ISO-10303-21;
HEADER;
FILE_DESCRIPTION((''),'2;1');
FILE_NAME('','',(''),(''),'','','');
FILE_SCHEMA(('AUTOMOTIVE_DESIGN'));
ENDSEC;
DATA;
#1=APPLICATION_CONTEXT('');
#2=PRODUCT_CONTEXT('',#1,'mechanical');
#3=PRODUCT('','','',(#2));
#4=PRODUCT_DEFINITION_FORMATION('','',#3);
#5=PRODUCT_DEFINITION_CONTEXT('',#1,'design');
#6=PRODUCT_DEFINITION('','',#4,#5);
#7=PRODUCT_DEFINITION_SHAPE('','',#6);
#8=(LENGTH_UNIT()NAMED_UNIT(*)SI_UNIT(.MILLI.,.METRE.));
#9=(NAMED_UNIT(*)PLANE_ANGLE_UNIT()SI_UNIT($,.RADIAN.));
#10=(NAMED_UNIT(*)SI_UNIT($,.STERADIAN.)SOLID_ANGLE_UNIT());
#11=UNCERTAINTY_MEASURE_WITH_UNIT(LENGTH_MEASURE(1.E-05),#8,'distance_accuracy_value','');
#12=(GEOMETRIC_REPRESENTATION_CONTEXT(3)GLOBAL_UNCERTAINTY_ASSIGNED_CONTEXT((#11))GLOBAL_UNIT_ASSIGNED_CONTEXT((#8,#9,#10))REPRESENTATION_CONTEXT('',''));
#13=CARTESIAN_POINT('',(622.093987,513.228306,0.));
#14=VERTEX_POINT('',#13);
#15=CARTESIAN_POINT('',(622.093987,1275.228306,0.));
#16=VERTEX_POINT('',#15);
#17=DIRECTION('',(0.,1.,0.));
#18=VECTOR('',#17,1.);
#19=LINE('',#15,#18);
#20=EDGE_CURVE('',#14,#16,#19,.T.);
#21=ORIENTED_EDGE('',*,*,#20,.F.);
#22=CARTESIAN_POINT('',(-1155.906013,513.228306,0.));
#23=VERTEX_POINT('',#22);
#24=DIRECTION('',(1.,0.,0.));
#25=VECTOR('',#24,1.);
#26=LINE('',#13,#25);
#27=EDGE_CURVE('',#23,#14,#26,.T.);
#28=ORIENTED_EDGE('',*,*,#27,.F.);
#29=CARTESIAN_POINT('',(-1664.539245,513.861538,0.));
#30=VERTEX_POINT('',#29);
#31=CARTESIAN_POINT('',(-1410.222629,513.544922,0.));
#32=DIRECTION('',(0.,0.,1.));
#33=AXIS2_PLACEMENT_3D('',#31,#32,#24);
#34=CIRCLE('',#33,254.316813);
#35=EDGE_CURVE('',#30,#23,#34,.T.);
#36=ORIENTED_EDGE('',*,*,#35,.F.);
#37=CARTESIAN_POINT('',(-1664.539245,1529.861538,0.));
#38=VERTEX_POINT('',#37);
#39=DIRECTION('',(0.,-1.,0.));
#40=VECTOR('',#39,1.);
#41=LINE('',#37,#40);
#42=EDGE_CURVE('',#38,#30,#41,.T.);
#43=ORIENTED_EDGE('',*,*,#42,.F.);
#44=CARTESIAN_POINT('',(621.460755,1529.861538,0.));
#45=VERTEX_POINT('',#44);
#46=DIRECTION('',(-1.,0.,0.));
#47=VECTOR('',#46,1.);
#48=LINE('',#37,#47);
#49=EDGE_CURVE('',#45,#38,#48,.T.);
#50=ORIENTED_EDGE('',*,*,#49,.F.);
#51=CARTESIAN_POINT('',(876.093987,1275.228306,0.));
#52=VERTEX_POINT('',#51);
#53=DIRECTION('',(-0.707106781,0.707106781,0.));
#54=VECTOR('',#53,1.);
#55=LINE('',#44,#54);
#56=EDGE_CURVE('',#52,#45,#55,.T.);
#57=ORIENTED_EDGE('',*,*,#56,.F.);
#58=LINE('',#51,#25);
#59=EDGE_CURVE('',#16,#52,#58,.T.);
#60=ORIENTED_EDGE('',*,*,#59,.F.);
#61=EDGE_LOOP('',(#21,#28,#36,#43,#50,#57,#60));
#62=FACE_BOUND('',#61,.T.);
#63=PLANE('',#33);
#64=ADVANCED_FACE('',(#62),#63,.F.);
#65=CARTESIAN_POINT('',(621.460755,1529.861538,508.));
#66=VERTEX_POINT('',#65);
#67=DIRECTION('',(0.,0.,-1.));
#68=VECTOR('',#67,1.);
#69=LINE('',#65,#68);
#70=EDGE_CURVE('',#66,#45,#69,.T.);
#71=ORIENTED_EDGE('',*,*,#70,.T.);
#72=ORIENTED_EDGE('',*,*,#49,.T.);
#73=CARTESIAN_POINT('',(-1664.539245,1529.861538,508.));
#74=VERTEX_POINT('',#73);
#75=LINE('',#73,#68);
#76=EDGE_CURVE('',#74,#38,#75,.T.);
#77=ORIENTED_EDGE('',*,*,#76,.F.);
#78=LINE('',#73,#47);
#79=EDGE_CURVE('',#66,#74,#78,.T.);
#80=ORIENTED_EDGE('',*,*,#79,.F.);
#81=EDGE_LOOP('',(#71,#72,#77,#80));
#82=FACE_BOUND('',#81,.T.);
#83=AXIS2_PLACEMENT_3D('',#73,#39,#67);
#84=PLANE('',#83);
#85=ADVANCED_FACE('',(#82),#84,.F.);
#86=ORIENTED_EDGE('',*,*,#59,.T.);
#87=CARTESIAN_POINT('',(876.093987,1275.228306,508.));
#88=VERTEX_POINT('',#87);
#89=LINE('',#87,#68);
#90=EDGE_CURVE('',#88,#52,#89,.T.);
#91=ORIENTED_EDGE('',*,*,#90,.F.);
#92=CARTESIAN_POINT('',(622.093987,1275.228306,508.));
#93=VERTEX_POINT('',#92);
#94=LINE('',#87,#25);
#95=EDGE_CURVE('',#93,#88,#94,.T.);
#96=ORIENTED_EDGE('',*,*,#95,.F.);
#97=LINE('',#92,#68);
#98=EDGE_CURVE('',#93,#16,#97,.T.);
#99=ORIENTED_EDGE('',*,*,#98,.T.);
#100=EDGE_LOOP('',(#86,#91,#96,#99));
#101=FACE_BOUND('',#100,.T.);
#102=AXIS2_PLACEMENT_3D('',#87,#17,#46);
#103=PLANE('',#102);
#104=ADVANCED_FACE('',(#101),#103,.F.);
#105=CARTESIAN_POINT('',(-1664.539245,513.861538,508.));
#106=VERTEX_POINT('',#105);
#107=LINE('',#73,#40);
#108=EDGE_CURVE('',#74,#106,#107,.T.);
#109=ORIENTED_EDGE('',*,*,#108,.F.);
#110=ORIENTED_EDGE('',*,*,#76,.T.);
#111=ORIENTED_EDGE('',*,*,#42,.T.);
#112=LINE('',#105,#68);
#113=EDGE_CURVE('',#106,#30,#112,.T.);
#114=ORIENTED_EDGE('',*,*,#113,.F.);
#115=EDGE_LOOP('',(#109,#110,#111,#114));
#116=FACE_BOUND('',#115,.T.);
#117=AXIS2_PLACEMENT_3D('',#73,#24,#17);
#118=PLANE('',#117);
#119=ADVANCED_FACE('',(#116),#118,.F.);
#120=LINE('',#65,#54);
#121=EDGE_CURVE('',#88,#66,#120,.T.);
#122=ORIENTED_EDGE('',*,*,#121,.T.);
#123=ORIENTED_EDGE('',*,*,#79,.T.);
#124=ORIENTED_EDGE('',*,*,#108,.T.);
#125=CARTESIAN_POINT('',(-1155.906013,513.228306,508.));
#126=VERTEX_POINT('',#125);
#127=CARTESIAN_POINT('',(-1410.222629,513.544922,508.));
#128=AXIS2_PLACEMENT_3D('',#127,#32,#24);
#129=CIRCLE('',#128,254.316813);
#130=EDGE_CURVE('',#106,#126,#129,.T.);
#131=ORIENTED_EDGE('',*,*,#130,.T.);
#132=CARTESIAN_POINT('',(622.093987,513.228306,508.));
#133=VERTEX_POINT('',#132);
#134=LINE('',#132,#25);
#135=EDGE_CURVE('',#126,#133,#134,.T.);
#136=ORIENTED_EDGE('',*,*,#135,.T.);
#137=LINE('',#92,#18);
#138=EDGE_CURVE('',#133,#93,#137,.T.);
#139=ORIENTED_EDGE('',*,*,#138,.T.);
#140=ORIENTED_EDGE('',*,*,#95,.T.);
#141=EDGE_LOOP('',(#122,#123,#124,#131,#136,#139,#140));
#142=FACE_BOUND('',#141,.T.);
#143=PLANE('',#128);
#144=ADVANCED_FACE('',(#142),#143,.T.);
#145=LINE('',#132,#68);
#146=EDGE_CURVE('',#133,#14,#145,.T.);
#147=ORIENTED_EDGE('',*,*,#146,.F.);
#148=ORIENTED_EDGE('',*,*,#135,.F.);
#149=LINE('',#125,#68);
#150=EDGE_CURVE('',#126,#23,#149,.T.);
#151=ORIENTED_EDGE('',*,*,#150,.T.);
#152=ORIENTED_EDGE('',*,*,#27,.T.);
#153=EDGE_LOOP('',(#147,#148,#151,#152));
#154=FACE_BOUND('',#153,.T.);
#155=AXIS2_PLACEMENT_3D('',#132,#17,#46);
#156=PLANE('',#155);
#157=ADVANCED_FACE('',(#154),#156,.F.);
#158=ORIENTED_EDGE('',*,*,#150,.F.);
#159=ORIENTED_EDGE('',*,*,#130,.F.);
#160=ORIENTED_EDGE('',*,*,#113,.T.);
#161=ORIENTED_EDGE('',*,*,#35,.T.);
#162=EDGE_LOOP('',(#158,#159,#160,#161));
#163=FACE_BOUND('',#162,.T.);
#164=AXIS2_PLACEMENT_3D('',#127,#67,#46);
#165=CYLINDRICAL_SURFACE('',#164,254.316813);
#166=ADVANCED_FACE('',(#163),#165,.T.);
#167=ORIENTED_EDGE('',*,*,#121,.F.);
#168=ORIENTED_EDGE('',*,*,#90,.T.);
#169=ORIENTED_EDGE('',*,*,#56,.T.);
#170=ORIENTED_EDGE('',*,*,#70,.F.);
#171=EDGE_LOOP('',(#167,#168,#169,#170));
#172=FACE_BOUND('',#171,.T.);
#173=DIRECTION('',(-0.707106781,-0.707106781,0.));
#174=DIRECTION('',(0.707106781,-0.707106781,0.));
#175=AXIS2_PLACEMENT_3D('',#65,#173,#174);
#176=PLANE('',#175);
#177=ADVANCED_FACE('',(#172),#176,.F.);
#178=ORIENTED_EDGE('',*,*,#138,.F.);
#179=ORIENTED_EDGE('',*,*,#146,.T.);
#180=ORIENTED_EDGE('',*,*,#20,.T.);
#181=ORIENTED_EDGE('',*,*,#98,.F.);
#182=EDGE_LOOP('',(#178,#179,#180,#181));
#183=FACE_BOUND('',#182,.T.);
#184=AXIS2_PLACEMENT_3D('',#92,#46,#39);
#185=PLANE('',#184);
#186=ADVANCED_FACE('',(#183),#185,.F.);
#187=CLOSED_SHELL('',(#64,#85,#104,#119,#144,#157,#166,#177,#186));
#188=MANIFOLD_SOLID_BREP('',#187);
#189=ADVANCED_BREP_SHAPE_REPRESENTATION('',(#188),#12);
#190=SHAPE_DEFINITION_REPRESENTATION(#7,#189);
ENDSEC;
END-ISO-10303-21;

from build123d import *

# Parameters (mm, degrees)
BOSS_EXTRUDE1_DEPTH = 508


with BuildPart() as part:
    # Sketch1 → Boss-Extrude1 (new body)
    with BuildSketch(Plane.XY):
        with BuildLine():
            Line((-1664.53924545, 1529.861538462), (621.46075455, 1529.861538462))
            Line((621.46075455, 1529.861538462), (876.093987038, 1275.228305974))
            Line((876.093987038, 1275.228305974), (622.093987038, 1275.228305974))
            Line((622.093987038, 1275.228305974), (622.093987038, 513.228305974))
            Line((622.093987038, 513.228305974), (-1155.906012962, 513.228305974))
            ThreePointArc((-1155.906012962, 513.228305974), (-1410.53924545, 259.228305974), (-1664.53924545, 513.861538462))
            Line((-1664.53924545, 513.861538462), (-1664.53924545, 1529.861538462))
        make_face()
    extrude(amount=BOSS_EXTRUDE1_DEPTH)


solid = part.part
